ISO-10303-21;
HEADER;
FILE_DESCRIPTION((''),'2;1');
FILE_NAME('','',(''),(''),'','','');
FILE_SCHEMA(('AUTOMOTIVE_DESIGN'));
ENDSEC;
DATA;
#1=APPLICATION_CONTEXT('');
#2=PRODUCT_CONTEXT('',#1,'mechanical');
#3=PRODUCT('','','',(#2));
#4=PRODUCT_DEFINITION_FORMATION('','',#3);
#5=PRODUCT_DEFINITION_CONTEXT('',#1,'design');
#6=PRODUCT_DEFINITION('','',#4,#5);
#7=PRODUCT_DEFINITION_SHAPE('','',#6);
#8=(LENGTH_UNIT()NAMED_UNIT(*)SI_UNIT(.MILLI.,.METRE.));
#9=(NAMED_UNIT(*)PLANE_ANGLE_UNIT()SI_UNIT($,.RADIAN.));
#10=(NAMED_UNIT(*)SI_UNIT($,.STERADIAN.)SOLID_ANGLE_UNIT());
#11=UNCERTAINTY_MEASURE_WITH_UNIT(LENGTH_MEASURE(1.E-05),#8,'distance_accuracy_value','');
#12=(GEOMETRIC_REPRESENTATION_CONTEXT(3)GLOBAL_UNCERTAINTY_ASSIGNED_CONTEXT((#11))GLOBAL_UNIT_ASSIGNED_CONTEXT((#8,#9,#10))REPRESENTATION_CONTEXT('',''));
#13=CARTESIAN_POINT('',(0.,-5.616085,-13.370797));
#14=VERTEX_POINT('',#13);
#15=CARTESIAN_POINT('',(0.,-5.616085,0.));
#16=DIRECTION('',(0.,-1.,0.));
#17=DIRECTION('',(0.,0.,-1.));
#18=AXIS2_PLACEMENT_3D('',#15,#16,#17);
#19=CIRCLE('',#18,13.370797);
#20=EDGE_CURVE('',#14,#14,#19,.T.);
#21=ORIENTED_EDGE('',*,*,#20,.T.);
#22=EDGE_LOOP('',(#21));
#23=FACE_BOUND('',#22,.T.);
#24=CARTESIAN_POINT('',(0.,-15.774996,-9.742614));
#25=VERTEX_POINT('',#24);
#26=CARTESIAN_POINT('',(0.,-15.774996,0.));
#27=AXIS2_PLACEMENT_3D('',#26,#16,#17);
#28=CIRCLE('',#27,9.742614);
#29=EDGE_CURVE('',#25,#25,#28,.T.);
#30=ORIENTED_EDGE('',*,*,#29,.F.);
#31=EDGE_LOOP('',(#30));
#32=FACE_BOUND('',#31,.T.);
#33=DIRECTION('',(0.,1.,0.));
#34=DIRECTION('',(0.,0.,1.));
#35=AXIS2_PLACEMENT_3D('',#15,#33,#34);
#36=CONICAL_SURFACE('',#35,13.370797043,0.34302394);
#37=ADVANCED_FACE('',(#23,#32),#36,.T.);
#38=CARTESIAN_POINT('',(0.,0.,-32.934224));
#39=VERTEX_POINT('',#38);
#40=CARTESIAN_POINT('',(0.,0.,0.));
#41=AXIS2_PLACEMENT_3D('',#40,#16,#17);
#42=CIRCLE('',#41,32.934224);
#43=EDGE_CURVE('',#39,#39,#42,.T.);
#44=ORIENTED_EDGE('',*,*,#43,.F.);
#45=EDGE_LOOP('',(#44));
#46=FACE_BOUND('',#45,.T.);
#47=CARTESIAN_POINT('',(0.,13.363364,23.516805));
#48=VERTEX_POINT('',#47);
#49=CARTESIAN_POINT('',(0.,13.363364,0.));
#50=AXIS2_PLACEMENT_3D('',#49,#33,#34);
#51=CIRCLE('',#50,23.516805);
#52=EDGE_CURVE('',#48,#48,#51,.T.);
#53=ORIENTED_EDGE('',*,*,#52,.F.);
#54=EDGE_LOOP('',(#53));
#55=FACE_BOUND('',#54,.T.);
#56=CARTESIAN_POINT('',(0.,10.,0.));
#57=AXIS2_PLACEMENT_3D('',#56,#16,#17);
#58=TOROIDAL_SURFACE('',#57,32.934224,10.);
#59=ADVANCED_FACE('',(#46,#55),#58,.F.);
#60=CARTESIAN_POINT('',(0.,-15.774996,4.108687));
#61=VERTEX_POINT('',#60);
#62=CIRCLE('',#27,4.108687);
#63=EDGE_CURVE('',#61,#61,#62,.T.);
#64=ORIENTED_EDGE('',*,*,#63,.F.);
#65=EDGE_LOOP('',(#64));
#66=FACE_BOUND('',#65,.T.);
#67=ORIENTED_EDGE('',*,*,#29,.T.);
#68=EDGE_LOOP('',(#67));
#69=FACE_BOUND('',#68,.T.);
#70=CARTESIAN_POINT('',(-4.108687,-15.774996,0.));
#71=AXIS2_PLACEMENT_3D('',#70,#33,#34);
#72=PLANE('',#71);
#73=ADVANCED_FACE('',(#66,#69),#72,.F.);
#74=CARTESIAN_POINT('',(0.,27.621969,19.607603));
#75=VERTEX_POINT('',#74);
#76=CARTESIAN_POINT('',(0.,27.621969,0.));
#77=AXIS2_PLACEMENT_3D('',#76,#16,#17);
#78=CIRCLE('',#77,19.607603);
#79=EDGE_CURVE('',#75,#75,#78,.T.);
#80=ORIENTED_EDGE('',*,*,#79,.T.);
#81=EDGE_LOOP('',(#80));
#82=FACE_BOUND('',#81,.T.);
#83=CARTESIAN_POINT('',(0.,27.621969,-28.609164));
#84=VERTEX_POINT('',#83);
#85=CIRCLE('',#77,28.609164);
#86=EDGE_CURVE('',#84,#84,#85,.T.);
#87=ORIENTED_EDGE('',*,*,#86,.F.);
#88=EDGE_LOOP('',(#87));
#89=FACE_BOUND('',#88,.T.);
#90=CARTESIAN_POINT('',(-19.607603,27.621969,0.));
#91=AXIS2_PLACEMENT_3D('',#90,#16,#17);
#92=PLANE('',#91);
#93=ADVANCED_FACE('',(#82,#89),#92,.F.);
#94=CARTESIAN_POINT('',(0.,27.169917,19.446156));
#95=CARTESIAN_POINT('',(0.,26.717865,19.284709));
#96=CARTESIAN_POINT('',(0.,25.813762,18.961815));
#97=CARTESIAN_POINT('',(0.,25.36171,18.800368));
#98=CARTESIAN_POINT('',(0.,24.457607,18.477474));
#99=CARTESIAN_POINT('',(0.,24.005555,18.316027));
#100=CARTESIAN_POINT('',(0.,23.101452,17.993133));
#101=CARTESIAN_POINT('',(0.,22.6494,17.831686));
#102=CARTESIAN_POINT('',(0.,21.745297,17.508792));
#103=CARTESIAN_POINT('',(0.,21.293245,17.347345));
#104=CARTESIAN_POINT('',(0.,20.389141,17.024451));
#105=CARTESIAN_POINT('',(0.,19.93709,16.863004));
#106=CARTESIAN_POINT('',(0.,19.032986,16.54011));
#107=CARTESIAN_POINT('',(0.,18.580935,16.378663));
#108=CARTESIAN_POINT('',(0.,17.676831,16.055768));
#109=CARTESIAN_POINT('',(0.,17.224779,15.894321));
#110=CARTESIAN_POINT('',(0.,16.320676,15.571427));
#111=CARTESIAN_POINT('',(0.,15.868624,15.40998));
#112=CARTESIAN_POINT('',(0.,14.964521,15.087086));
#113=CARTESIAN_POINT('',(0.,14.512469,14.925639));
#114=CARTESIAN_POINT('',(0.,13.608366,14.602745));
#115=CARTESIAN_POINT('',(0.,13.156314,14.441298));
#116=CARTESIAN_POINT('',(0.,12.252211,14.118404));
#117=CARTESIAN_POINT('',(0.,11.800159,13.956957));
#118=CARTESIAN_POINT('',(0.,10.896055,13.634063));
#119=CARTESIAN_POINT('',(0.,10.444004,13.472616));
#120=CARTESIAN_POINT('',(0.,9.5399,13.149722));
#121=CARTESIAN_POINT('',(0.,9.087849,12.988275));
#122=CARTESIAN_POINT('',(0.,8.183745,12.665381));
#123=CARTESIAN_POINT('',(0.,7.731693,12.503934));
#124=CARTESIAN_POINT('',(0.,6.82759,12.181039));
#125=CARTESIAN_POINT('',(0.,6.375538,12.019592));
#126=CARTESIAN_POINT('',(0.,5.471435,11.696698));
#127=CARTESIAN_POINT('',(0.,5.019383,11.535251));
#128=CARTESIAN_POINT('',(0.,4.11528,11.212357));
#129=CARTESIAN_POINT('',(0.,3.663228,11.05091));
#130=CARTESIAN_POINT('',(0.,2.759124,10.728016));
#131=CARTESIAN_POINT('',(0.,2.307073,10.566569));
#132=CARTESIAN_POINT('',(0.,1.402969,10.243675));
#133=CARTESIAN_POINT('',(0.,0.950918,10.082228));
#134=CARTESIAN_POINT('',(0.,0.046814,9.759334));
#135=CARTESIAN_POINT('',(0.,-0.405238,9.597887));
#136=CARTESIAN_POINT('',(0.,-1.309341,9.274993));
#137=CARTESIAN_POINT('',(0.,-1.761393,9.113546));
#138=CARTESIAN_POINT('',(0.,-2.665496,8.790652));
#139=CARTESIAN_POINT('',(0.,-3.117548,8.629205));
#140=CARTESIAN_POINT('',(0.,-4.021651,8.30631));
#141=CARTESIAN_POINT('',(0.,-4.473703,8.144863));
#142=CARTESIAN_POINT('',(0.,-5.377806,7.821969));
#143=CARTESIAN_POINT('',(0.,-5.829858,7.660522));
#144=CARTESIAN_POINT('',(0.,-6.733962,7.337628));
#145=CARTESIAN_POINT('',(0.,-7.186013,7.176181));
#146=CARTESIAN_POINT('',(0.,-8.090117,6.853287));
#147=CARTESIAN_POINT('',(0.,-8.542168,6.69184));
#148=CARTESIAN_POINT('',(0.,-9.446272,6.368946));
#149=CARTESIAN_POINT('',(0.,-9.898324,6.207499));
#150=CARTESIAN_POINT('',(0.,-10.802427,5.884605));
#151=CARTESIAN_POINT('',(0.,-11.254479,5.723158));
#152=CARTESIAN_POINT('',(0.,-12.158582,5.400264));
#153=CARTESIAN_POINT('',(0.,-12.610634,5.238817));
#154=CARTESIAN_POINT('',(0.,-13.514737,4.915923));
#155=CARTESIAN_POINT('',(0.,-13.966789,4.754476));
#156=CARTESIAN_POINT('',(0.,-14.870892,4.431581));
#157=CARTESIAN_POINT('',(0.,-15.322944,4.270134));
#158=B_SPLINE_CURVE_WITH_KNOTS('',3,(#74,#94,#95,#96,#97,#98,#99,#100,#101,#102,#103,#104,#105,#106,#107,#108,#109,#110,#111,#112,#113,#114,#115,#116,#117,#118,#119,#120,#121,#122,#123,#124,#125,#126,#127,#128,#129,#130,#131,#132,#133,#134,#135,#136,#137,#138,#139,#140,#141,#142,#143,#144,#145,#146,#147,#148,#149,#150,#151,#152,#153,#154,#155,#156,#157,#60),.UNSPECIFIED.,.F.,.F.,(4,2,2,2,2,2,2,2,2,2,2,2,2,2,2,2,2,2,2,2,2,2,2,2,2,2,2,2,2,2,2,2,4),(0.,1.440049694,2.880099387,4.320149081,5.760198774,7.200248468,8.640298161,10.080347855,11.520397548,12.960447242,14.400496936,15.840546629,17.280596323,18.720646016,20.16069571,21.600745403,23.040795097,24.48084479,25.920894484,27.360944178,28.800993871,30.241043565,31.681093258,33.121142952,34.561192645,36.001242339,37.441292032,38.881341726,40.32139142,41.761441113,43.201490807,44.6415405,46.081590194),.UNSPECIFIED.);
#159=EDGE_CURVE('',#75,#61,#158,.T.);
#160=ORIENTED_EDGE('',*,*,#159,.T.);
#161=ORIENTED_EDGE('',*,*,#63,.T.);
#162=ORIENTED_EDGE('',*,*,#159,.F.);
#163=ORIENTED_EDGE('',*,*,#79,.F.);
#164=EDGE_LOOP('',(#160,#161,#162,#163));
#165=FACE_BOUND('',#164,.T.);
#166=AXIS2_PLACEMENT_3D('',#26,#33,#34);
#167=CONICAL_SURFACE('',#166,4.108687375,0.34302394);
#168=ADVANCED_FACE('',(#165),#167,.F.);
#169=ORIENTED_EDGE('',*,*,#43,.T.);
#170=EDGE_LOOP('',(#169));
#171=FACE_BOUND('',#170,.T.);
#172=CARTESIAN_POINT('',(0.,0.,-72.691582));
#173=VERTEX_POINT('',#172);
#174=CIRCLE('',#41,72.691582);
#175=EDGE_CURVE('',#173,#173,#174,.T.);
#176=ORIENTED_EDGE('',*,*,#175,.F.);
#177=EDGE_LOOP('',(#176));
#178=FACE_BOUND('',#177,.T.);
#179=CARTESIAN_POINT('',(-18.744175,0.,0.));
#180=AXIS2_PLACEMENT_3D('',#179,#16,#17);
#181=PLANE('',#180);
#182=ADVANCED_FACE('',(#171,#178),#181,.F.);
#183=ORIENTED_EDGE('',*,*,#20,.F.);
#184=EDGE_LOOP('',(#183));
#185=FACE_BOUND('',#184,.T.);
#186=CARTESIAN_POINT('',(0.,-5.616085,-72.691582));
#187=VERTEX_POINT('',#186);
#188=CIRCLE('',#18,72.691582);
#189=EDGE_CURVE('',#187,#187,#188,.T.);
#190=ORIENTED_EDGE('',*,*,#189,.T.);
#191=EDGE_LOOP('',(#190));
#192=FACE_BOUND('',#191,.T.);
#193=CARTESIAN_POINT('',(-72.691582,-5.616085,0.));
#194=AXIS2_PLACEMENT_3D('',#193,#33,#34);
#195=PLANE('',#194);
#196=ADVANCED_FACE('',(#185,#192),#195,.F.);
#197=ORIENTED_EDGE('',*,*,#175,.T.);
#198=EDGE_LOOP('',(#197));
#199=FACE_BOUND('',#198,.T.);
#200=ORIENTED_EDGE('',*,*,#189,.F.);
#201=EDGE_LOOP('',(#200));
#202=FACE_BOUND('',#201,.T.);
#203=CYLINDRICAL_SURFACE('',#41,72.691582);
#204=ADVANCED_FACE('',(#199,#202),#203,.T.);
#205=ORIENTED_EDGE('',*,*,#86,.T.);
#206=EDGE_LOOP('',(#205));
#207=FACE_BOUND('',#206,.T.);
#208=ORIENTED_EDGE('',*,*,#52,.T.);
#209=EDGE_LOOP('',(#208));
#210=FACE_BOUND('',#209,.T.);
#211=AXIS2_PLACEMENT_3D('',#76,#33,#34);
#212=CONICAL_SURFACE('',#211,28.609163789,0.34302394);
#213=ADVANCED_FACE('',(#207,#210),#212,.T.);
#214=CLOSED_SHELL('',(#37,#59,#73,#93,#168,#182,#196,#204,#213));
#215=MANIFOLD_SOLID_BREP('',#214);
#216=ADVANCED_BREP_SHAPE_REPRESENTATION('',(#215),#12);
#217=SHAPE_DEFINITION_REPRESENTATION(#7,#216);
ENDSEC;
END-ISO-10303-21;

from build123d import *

# Parameters (mm, degrees)
FILLET1_R = 10


with BuildPart() as part:
    # Sketch1 → Revolve1 (revolve)
    with BuildSketch(Plane.XY, mode=Mode.PRIVATE) as revolve1_sk:
        Polygon((-18.744174885, 0), (-72.691581878, 0), (-72.691581878, -5.616084741), (-13.370797043, -5.616084741), (-9.742614484, -15.774995906), (-4.108687375, -15.774995906), (-9.742614484, 0), (-19.607603388, 27.621968933), (-28.609163789, 27.621968933), align=None)
    revolve(revolve1_sk.sketch.rotate(Axis((0, 0, 0), (0, 1, 0)), 270), axis=Axis((0, 0, 0), (0, 1, 0)))

    # Fillet1
    fillet1_edges = [part.edges().sort_by_distance(p)[0] for p in [
        (0, 0, 18.744174885),
    ]]
    fillet(fillet1_edges, radius=FILLET1_R)


solid = part.part
